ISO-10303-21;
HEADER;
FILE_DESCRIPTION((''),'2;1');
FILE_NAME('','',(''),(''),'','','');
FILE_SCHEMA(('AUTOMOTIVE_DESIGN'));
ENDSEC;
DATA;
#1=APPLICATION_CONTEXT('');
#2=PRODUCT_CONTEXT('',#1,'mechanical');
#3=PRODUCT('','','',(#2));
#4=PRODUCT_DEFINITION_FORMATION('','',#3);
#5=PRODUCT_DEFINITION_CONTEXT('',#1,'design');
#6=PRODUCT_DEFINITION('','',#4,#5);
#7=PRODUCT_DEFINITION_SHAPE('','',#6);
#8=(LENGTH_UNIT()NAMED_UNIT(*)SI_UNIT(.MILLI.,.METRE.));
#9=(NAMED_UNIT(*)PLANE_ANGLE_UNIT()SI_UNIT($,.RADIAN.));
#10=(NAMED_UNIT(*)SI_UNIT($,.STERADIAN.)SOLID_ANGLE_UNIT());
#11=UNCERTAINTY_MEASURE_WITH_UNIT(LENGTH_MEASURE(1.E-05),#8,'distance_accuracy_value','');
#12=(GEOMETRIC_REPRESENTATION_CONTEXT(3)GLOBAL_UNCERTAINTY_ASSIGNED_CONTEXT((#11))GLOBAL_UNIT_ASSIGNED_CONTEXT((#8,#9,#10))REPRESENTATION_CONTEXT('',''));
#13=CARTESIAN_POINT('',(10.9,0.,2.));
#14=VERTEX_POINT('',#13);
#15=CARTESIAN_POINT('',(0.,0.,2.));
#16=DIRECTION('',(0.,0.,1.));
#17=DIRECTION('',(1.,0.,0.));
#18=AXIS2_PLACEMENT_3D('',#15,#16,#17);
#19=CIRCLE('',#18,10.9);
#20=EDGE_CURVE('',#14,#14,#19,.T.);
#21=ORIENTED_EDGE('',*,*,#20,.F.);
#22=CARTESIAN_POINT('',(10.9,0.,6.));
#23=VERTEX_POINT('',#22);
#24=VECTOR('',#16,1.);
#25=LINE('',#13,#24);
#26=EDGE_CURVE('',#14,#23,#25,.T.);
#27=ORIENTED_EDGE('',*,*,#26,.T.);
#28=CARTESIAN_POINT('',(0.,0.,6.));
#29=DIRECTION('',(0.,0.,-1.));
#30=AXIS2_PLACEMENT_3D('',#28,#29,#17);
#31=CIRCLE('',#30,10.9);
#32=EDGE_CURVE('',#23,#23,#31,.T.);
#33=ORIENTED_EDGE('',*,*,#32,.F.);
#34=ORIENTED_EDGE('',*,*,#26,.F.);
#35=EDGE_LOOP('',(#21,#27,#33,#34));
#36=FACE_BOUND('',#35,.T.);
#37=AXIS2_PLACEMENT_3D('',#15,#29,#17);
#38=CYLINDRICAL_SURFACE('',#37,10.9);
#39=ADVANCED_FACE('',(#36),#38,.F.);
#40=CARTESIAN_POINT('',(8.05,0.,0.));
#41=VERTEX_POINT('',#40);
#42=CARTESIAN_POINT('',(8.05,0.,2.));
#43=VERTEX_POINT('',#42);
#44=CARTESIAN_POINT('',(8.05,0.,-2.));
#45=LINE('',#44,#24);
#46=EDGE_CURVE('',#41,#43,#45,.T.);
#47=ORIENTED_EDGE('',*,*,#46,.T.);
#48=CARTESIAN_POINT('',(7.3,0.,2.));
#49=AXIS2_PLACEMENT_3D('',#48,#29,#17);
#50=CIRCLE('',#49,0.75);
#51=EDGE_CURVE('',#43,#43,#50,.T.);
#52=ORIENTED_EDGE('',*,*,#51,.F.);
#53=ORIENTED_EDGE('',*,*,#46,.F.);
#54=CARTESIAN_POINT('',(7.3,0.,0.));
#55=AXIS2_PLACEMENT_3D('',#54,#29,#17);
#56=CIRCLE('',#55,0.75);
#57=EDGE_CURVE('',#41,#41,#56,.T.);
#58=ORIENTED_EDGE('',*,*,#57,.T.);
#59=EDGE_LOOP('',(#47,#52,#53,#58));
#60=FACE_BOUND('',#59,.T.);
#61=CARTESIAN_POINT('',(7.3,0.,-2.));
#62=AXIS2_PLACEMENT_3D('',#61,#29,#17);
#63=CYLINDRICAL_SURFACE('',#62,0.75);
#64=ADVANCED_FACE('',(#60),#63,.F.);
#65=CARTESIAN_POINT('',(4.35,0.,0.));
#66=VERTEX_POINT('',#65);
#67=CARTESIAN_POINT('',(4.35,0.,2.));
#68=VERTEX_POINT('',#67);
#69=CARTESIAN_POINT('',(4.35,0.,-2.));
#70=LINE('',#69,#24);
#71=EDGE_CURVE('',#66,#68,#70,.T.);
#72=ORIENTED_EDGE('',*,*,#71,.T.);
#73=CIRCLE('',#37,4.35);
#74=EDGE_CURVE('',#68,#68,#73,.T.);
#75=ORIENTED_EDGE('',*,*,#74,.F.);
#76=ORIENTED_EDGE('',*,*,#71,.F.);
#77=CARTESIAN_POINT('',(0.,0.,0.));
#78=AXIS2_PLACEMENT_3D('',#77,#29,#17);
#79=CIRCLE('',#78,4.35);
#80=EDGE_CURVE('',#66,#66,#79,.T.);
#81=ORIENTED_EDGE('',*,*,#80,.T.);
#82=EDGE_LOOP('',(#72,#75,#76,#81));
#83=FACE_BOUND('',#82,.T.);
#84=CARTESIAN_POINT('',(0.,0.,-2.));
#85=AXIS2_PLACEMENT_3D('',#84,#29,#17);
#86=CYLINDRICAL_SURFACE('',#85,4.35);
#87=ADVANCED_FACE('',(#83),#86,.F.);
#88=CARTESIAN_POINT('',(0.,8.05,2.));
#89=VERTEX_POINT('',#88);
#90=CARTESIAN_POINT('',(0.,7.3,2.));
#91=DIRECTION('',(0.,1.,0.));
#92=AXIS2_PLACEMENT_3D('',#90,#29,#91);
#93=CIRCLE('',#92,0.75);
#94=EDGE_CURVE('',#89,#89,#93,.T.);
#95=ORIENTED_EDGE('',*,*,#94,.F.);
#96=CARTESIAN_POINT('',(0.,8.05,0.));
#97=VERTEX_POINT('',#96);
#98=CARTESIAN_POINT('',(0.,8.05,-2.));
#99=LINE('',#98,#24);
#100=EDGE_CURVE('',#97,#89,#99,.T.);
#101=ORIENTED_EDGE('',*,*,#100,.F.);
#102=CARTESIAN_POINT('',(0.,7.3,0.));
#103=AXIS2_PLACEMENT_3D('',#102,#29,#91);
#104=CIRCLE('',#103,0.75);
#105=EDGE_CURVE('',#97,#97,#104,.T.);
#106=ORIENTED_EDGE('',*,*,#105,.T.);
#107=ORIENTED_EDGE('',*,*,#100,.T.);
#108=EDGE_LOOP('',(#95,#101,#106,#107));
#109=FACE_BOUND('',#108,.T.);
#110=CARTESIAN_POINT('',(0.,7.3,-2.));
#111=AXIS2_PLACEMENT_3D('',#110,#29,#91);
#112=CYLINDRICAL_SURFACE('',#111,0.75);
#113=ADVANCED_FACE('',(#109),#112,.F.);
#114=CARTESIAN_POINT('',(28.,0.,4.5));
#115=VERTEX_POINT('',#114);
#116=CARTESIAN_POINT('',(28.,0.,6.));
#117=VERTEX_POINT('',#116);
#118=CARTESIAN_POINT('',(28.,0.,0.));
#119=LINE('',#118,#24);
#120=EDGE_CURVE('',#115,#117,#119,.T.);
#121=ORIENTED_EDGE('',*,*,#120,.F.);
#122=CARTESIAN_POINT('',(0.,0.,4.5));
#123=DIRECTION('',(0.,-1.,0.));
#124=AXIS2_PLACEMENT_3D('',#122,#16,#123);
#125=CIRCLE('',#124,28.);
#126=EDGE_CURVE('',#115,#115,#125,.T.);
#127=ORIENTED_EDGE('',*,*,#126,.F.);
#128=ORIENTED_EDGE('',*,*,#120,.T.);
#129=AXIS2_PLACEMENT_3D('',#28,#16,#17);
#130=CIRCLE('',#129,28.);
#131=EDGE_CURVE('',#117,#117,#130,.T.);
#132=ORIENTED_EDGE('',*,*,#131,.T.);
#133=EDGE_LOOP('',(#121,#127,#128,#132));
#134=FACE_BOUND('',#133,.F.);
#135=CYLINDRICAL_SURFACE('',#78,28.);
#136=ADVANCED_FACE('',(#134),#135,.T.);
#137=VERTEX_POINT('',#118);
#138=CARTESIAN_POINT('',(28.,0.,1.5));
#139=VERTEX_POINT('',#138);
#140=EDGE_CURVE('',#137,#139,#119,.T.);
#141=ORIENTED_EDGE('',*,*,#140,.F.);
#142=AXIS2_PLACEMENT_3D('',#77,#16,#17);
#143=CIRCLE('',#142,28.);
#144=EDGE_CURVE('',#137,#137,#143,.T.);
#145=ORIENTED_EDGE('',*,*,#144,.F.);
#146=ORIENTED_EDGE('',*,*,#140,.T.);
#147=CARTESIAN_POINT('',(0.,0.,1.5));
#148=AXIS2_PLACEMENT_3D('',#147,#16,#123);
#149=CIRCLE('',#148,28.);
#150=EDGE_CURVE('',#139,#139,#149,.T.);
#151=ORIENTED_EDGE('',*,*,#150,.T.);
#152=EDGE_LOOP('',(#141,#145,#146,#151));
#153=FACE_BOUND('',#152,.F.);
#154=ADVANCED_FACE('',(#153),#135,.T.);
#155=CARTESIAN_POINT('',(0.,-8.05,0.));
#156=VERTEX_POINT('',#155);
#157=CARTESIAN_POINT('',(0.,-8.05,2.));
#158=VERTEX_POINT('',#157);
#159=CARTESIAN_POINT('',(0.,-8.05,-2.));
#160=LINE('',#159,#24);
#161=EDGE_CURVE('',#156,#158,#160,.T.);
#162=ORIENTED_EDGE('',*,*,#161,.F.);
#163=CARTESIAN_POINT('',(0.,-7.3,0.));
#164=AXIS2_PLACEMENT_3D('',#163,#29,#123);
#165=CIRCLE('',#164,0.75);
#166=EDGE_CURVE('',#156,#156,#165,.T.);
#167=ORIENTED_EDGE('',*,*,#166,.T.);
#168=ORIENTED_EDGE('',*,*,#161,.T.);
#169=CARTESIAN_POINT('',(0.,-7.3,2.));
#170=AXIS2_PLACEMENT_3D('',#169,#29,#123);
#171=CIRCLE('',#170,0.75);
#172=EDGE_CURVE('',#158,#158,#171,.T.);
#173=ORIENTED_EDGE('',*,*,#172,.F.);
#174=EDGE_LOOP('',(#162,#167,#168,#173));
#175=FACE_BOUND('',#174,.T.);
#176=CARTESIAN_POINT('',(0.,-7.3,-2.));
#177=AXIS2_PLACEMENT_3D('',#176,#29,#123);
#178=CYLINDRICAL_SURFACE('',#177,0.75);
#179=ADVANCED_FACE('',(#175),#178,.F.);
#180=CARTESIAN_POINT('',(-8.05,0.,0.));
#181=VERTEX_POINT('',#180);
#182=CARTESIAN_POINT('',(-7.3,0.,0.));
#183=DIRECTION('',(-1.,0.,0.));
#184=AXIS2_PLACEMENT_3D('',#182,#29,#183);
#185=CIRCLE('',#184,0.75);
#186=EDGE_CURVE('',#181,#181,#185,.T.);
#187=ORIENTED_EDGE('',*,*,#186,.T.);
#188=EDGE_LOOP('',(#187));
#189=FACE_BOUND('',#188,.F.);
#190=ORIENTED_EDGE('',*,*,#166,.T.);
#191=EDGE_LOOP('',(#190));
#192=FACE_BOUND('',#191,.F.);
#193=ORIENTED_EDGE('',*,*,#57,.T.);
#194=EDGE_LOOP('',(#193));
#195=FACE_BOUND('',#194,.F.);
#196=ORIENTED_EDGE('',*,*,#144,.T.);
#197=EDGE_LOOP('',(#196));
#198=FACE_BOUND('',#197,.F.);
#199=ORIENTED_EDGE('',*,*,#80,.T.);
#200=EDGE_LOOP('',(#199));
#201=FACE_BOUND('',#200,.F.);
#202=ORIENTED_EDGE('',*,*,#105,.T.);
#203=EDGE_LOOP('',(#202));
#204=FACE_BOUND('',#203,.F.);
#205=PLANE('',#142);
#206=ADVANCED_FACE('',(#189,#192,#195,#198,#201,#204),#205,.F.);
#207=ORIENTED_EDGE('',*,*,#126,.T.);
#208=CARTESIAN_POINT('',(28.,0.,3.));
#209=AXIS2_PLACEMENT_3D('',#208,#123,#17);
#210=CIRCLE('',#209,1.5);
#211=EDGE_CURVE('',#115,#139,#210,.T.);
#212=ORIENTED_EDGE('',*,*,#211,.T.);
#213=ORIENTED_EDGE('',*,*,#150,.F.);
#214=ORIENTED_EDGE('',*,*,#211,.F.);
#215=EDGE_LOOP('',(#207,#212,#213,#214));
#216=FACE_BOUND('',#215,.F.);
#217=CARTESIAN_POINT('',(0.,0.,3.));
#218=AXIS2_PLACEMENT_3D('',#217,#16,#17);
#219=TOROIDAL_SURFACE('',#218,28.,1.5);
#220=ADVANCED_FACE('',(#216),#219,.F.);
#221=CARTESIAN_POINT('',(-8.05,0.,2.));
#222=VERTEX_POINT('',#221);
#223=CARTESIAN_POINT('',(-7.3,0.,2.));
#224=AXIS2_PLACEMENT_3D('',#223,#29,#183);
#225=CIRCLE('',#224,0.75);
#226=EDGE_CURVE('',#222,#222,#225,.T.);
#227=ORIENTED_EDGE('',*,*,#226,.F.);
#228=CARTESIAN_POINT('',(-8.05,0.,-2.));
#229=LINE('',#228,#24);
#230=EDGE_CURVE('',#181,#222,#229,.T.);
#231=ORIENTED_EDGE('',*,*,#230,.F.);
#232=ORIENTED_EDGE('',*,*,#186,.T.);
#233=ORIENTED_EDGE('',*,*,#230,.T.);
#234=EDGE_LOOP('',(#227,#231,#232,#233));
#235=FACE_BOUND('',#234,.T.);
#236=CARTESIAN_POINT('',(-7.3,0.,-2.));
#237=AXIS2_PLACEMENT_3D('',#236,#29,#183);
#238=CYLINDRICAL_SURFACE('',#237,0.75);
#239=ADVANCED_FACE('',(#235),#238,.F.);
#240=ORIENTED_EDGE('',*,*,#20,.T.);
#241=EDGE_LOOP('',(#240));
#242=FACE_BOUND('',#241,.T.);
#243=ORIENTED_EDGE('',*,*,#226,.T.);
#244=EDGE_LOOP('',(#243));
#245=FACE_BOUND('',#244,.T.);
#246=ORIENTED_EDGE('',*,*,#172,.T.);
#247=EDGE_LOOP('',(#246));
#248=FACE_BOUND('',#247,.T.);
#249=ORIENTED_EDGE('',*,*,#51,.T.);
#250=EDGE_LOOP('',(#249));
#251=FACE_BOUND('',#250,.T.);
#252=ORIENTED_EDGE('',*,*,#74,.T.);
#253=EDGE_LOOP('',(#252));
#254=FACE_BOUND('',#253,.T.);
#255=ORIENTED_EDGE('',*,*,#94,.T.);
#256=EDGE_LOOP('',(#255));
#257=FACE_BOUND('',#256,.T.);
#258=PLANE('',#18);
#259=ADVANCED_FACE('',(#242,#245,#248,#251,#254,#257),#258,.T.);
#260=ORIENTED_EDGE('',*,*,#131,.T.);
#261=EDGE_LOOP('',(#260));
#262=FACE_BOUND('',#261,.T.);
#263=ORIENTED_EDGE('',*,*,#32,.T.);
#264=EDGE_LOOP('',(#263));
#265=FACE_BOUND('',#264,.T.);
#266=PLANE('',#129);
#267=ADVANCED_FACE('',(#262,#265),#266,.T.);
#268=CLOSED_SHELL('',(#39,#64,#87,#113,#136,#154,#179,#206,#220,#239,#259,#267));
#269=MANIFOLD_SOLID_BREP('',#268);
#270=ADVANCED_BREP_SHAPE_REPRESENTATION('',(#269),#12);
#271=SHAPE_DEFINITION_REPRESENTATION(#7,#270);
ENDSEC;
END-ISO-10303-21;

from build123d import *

# Parameters (mm, degrees)
CYLINDER003_R     = 0.75
CYLINDER003_DEPTH = 10
ARRAY_COUNT       = 4
CYLINDER002_R     = 4.35
CYLINDER002_DEPTH = 10
CYLINDER001_R     = 10.9
CYLINDER001_DEPTH = 10
TORUS_R           = 1.5
CYLINDER_R        = 28
CYLINDER_DEPTH    = 6


with BuildPart() as array:
    # Cylinder003 → Cylinder003 (new body)
    with BuildSketch(Plane(origin=(7.3, 0, -2), x_dir=(1, 0, 0), z_dir=(0, 0, 1))):
        Circle(CYLINDER003_R)
    extrude(amount=CYLINDER003_DEPTH)

    # Array: Array ×4 about axis
    array_axis = Axis((0, 0, 0), (0, 0, 1))


with BuildPart() as array_1:
    add(array.part)
    for i in range(1, ARRAY_COUNT):
        add(array.part.rotate(array_axis, i * 360 / ARRAY_COUNT))


with BuildPart() as hueco_eje:
    # Cylinder002 → Cylinder002 (new body)
    with BuildSketch(Plane.XY.offset(-2)):
        Circle(CYLINDER002_R)
    extrude(amount=CYLINDER002_DEPTH)


with BuildPart() as corona_servo:
    # Cylinder001 → Cylinder001 (new body)
    with BuildSketch(Plane.XY.offset(2)):
        Circle(CYLINDER001_R)
    extrude(amount=CYLINDER001_DEPTH)


with BuildPart() as vaciaod_junta_torica:
    # Torus → Torus (revolve)
    with BuildSketch(Plane(origin=(0, 0, 3), x_dir=(1, 0, 0), z_dir=(0, -1, 0))):
        with Locations((28, 0)):
            Circle(TORUS_R)
    revolve(axis=Axis((0, 0, 3), (0, 0, 1)))


with BuildPart() as rueda_miniskybot:
    # Cylinder → Cylinder (new body)
    with BuildSketch(Plane.XY):
        Circle(CYLINDER_R)
    extrude(amount=CYLINDER_DEPTH)

    # Cut: cut Vaciaod_junta_torica
    add(vaciaod_junta_torica.part, mode=Mode.SUBTRACT)

    # Cut001: cut Corona_servo
    add(corona_servo.part, mode=Mode.SUBTRACT)

    # Cut002: cut Hueco_eje
    add(hueco_eje.part, mode=Mode.SUBTRACT)

    # Cut003: cut Array
    add(array_1.part, mode=Mode.SUBTRACT)


solid = rueda_miniskybot.part
